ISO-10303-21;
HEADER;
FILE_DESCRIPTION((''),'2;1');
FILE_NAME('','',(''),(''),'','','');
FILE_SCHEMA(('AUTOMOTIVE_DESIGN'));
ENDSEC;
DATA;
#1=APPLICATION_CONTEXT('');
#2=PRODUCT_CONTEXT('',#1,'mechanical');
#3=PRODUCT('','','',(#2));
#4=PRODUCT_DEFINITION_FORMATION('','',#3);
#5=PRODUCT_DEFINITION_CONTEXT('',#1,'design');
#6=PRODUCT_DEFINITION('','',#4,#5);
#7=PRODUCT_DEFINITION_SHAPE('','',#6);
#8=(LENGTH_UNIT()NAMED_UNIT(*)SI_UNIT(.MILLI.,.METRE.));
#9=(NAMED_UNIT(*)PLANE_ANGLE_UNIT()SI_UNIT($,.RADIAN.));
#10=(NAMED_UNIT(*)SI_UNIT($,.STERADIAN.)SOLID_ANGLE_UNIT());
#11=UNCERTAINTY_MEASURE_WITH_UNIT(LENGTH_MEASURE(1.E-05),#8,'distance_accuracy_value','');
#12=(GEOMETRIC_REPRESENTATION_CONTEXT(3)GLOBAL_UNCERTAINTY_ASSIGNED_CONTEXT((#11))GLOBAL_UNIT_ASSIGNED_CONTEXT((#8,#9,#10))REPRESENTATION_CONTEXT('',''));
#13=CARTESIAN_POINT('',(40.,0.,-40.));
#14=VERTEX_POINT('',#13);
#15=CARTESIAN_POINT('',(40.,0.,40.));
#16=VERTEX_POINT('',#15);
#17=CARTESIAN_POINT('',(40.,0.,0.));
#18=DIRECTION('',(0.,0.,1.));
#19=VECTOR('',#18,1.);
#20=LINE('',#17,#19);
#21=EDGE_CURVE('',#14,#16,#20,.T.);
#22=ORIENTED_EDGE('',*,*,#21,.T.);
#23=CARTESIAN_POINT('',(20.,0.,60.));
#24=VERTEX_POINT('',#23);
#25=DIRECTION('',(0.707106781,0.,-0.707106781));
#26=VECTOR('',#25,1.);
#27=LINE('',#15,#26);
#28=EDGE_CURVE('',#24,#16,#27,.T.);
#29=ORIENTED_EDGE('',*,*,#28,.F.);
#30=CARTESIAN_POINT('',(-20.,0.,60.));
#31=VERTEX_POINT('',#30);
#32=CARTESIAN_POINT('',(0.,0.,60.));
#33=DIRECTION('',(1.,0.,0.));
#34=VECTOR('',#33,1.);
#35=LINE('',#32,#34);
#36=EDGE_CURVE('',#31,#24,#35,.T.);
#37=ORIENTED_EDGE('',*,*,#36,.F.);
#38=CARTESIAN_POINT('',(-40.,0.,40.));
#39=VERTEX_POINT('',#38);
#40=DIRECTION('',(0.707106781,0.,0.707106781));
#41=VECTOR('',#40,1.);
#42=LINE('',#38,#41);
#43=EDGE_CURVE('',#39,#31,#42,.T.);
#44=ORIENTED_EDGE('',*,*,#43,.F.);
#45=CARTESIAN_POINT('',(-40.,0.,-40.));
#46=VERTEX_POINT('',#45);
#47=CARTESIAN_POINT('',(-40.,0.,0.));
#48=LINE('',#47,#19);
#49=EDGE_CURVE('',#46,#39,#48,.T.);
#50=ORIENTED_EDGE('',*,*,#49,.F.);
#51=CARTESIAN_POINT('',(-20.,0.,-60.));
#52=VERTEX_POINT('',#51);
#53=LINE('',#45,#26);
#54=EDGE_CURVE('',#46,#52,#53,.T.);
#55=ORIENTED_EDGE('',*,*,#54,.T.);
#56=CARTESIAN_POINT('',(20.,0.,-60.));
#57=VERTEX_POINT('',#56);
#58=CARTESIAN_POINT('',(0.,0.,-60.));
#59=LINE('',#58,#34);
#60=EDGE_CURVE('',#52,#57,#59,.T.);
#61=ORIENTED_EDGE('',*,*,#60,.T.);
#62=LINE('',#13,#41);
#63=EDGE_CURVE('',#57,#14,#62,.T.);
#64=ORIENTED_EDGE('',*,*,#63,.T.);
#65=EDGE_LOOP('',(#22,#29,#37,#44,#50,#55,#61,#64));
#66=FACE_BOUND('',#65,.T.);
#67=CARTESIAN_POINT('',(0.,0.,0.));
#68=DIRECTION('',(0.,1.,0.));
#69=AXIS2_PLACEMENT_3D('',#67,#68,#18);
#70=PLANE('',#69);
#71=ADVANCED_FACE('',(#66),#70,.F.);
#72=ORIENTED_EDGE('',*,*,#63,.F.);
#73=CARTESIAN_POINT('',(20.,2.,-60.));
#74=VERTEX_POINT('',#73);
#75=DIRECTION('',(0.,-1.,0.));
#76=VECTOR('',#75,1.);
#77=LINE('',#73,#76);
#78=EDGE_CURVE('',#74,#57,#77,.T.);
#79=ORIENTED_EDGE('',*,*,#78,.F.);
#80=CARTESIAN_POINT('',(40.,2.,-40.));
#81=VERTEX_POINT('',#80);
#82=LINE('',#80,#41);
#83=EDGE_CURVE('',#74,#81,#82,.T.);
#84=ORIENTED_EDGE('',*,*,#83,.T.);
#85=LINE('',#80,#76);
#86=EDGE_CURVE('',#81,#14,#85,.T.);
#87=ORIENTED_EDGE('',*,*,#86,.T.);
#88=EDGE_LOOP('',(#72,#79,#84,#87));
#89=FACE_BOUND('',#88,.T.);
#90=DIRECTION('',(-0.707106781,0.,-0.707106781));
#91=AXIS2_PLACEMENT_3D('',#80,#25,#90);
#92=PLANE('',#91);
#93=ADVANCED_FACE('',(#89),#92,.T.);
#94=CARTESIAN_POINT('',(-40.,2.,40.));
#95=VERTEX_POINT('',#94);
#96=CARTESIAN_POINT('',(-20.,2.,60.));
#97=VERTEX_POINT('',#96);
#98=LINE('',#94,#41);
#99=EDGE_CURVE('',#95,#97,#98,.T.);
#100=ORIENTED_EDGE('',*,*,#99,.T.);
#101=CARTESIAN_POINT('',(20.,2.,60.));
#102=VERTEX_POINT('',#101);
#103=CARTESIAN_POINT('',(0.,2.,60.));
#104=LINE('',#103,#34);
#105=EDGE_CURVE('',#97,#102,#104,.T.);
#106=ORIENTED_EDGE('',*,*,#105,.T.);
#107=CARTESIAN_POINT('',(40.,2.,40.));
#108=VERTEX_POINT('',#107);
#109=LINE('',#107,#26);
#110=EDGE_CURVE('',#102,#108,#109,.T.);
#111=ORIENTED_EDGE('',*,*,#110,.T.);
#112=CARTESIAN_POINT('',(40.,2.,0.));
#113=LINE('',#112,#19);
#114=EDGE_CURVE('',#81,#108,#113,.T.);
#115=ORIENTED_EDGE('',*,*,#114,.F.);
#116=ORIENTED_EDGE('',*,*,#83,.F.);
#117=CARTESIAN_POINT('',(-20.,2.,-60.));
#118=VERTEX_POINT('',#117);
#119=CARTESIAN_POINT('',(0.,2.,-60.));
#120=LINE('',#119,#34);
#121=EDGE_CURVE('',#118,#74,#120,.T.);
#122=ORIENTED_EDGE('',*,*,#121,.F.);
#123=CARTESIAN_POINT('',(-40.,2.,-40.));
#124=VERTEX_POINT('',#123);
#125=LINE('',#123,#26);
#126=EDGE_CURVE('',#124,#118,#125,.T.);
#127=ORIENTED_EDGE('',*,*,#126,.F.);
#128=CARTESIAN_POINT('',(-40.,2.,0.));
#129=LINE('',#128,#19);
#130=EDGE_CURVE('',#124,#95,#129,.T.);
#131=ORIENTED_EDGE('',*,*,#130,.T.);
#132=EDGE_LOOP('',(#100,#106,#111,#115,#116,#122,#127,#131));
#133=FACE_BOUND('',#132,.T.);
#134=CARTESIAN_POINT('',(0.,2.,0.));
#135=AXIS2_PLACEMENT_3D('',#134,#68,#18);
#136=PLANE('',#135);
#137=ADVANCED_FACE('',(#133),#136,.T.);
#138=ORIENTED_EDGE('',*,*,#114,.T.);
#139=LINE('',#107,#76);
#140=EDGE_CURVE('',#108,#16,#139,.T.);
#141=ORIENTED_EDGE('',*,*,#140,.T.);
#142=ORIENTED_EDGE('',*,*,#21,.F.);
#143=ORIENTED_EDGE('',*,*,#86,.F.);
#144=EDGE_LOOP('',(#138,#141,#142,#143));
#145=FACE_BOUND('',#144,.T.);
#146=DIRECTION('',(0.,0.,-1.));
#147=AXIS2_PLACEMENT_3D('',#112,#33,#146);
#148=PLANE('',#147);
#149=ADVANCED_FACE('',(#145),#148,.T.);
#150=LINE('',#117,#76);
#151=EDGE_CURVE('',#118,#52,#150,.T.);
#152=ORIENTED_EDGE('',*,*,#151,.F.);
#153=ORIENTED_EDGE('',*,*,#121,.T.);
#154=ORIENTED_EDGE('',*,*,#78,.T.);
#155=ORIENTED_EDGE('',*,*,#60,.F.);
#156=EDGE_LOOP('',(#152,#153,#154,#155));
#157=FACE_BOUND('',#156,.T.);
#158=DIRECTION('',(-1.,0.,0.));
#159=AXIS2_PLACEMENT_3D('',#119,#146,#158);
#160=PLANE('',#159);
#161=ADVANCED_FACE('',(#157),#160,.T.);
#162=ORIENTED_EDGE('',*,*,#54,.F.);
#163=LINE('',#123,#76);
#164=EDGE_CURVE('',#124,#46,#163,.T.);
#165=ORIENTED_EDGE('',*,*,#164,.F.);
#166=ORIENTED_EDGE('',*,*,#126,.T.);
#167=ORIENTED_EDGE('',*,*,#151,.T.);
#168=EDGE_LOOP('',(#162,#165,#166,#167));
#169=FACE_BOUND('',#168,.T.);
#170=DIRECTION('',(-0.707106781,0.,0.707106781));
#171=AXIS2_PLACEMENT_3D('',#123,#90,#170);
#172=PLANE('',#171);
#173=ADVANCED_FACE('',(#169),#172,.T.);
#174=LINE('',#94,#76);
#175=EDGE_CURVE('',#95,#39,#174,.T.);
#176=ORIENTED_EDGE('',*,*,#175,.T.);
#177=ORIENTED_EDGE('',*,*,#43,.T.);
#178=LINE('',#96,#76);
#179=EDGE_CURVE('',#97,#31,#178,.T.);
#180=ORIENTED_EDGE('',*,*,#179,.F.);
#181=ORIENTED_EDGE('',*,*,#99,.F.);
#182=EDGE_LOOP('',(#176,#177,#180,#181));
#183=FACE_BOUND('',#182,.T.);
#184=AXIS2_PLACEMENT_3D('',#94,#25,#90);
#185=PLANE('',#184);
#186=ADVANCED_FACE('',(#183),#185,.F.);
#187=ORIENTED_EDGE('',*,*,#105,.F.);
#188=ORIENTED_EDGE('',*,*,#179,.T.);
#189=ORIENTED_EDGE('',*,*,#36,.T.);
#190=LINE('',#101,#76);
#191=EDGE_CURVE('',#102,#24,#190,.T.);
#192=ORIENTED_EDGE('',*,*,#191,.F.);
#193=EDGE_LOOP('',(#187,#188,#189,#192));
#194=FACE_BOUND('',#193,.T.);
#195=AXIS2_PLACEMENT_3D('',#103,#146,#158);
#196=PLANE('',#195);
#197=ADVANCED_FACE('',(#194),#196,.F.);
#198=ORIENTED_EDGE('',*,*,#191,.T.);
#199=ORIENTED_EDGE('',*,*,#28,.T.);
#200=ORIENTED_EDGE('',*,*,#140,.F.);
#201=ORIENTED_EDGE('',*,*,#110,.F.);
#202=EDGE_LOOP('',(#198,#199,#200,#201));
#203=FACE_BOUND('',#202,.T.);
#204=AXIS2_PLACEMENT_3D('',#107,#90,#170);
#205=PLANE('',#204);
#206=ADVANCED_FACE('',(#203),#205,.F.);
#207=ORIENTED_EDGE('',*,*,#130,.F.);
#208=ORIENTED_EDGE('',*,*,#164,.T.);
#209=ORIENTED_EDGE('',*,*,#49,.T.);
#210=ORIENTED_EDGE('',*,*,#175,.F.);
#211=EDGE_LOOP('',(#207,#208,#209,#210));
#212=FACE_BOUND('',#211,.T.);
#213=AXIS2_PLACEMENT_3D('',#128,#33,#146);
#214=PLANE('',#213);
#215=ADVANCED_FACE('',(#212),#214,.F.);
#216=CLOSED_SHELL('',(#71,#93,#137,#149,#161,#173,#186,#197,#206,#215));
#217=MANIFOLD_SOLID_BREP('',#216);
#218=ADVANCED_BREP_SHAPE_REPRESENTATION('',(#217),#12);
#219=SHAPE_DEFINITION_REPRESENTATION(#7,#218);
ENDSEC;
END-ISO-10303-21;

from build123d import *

# Parameters (mm, degrees)
BOSS_EXTRUDE1_DEPTH = 2


with BuildPart() as part:
    # Sketch1 → Boss-Extrude1 (new body)
    with BuildSketch(Plane(origin=(0, 0, 0), x_dir=(1, 0, 0), z_dir=(0, 1, 0))):
        Polygon((-20, 60), (-40, 40), (-40, -40), (-20, -60), (20, -60), (40, -40), (40, 40), (20, 60), align=None)
    extrude(amount=BOSS_EXTRUDE1_DEPTH)


solid = part.part
